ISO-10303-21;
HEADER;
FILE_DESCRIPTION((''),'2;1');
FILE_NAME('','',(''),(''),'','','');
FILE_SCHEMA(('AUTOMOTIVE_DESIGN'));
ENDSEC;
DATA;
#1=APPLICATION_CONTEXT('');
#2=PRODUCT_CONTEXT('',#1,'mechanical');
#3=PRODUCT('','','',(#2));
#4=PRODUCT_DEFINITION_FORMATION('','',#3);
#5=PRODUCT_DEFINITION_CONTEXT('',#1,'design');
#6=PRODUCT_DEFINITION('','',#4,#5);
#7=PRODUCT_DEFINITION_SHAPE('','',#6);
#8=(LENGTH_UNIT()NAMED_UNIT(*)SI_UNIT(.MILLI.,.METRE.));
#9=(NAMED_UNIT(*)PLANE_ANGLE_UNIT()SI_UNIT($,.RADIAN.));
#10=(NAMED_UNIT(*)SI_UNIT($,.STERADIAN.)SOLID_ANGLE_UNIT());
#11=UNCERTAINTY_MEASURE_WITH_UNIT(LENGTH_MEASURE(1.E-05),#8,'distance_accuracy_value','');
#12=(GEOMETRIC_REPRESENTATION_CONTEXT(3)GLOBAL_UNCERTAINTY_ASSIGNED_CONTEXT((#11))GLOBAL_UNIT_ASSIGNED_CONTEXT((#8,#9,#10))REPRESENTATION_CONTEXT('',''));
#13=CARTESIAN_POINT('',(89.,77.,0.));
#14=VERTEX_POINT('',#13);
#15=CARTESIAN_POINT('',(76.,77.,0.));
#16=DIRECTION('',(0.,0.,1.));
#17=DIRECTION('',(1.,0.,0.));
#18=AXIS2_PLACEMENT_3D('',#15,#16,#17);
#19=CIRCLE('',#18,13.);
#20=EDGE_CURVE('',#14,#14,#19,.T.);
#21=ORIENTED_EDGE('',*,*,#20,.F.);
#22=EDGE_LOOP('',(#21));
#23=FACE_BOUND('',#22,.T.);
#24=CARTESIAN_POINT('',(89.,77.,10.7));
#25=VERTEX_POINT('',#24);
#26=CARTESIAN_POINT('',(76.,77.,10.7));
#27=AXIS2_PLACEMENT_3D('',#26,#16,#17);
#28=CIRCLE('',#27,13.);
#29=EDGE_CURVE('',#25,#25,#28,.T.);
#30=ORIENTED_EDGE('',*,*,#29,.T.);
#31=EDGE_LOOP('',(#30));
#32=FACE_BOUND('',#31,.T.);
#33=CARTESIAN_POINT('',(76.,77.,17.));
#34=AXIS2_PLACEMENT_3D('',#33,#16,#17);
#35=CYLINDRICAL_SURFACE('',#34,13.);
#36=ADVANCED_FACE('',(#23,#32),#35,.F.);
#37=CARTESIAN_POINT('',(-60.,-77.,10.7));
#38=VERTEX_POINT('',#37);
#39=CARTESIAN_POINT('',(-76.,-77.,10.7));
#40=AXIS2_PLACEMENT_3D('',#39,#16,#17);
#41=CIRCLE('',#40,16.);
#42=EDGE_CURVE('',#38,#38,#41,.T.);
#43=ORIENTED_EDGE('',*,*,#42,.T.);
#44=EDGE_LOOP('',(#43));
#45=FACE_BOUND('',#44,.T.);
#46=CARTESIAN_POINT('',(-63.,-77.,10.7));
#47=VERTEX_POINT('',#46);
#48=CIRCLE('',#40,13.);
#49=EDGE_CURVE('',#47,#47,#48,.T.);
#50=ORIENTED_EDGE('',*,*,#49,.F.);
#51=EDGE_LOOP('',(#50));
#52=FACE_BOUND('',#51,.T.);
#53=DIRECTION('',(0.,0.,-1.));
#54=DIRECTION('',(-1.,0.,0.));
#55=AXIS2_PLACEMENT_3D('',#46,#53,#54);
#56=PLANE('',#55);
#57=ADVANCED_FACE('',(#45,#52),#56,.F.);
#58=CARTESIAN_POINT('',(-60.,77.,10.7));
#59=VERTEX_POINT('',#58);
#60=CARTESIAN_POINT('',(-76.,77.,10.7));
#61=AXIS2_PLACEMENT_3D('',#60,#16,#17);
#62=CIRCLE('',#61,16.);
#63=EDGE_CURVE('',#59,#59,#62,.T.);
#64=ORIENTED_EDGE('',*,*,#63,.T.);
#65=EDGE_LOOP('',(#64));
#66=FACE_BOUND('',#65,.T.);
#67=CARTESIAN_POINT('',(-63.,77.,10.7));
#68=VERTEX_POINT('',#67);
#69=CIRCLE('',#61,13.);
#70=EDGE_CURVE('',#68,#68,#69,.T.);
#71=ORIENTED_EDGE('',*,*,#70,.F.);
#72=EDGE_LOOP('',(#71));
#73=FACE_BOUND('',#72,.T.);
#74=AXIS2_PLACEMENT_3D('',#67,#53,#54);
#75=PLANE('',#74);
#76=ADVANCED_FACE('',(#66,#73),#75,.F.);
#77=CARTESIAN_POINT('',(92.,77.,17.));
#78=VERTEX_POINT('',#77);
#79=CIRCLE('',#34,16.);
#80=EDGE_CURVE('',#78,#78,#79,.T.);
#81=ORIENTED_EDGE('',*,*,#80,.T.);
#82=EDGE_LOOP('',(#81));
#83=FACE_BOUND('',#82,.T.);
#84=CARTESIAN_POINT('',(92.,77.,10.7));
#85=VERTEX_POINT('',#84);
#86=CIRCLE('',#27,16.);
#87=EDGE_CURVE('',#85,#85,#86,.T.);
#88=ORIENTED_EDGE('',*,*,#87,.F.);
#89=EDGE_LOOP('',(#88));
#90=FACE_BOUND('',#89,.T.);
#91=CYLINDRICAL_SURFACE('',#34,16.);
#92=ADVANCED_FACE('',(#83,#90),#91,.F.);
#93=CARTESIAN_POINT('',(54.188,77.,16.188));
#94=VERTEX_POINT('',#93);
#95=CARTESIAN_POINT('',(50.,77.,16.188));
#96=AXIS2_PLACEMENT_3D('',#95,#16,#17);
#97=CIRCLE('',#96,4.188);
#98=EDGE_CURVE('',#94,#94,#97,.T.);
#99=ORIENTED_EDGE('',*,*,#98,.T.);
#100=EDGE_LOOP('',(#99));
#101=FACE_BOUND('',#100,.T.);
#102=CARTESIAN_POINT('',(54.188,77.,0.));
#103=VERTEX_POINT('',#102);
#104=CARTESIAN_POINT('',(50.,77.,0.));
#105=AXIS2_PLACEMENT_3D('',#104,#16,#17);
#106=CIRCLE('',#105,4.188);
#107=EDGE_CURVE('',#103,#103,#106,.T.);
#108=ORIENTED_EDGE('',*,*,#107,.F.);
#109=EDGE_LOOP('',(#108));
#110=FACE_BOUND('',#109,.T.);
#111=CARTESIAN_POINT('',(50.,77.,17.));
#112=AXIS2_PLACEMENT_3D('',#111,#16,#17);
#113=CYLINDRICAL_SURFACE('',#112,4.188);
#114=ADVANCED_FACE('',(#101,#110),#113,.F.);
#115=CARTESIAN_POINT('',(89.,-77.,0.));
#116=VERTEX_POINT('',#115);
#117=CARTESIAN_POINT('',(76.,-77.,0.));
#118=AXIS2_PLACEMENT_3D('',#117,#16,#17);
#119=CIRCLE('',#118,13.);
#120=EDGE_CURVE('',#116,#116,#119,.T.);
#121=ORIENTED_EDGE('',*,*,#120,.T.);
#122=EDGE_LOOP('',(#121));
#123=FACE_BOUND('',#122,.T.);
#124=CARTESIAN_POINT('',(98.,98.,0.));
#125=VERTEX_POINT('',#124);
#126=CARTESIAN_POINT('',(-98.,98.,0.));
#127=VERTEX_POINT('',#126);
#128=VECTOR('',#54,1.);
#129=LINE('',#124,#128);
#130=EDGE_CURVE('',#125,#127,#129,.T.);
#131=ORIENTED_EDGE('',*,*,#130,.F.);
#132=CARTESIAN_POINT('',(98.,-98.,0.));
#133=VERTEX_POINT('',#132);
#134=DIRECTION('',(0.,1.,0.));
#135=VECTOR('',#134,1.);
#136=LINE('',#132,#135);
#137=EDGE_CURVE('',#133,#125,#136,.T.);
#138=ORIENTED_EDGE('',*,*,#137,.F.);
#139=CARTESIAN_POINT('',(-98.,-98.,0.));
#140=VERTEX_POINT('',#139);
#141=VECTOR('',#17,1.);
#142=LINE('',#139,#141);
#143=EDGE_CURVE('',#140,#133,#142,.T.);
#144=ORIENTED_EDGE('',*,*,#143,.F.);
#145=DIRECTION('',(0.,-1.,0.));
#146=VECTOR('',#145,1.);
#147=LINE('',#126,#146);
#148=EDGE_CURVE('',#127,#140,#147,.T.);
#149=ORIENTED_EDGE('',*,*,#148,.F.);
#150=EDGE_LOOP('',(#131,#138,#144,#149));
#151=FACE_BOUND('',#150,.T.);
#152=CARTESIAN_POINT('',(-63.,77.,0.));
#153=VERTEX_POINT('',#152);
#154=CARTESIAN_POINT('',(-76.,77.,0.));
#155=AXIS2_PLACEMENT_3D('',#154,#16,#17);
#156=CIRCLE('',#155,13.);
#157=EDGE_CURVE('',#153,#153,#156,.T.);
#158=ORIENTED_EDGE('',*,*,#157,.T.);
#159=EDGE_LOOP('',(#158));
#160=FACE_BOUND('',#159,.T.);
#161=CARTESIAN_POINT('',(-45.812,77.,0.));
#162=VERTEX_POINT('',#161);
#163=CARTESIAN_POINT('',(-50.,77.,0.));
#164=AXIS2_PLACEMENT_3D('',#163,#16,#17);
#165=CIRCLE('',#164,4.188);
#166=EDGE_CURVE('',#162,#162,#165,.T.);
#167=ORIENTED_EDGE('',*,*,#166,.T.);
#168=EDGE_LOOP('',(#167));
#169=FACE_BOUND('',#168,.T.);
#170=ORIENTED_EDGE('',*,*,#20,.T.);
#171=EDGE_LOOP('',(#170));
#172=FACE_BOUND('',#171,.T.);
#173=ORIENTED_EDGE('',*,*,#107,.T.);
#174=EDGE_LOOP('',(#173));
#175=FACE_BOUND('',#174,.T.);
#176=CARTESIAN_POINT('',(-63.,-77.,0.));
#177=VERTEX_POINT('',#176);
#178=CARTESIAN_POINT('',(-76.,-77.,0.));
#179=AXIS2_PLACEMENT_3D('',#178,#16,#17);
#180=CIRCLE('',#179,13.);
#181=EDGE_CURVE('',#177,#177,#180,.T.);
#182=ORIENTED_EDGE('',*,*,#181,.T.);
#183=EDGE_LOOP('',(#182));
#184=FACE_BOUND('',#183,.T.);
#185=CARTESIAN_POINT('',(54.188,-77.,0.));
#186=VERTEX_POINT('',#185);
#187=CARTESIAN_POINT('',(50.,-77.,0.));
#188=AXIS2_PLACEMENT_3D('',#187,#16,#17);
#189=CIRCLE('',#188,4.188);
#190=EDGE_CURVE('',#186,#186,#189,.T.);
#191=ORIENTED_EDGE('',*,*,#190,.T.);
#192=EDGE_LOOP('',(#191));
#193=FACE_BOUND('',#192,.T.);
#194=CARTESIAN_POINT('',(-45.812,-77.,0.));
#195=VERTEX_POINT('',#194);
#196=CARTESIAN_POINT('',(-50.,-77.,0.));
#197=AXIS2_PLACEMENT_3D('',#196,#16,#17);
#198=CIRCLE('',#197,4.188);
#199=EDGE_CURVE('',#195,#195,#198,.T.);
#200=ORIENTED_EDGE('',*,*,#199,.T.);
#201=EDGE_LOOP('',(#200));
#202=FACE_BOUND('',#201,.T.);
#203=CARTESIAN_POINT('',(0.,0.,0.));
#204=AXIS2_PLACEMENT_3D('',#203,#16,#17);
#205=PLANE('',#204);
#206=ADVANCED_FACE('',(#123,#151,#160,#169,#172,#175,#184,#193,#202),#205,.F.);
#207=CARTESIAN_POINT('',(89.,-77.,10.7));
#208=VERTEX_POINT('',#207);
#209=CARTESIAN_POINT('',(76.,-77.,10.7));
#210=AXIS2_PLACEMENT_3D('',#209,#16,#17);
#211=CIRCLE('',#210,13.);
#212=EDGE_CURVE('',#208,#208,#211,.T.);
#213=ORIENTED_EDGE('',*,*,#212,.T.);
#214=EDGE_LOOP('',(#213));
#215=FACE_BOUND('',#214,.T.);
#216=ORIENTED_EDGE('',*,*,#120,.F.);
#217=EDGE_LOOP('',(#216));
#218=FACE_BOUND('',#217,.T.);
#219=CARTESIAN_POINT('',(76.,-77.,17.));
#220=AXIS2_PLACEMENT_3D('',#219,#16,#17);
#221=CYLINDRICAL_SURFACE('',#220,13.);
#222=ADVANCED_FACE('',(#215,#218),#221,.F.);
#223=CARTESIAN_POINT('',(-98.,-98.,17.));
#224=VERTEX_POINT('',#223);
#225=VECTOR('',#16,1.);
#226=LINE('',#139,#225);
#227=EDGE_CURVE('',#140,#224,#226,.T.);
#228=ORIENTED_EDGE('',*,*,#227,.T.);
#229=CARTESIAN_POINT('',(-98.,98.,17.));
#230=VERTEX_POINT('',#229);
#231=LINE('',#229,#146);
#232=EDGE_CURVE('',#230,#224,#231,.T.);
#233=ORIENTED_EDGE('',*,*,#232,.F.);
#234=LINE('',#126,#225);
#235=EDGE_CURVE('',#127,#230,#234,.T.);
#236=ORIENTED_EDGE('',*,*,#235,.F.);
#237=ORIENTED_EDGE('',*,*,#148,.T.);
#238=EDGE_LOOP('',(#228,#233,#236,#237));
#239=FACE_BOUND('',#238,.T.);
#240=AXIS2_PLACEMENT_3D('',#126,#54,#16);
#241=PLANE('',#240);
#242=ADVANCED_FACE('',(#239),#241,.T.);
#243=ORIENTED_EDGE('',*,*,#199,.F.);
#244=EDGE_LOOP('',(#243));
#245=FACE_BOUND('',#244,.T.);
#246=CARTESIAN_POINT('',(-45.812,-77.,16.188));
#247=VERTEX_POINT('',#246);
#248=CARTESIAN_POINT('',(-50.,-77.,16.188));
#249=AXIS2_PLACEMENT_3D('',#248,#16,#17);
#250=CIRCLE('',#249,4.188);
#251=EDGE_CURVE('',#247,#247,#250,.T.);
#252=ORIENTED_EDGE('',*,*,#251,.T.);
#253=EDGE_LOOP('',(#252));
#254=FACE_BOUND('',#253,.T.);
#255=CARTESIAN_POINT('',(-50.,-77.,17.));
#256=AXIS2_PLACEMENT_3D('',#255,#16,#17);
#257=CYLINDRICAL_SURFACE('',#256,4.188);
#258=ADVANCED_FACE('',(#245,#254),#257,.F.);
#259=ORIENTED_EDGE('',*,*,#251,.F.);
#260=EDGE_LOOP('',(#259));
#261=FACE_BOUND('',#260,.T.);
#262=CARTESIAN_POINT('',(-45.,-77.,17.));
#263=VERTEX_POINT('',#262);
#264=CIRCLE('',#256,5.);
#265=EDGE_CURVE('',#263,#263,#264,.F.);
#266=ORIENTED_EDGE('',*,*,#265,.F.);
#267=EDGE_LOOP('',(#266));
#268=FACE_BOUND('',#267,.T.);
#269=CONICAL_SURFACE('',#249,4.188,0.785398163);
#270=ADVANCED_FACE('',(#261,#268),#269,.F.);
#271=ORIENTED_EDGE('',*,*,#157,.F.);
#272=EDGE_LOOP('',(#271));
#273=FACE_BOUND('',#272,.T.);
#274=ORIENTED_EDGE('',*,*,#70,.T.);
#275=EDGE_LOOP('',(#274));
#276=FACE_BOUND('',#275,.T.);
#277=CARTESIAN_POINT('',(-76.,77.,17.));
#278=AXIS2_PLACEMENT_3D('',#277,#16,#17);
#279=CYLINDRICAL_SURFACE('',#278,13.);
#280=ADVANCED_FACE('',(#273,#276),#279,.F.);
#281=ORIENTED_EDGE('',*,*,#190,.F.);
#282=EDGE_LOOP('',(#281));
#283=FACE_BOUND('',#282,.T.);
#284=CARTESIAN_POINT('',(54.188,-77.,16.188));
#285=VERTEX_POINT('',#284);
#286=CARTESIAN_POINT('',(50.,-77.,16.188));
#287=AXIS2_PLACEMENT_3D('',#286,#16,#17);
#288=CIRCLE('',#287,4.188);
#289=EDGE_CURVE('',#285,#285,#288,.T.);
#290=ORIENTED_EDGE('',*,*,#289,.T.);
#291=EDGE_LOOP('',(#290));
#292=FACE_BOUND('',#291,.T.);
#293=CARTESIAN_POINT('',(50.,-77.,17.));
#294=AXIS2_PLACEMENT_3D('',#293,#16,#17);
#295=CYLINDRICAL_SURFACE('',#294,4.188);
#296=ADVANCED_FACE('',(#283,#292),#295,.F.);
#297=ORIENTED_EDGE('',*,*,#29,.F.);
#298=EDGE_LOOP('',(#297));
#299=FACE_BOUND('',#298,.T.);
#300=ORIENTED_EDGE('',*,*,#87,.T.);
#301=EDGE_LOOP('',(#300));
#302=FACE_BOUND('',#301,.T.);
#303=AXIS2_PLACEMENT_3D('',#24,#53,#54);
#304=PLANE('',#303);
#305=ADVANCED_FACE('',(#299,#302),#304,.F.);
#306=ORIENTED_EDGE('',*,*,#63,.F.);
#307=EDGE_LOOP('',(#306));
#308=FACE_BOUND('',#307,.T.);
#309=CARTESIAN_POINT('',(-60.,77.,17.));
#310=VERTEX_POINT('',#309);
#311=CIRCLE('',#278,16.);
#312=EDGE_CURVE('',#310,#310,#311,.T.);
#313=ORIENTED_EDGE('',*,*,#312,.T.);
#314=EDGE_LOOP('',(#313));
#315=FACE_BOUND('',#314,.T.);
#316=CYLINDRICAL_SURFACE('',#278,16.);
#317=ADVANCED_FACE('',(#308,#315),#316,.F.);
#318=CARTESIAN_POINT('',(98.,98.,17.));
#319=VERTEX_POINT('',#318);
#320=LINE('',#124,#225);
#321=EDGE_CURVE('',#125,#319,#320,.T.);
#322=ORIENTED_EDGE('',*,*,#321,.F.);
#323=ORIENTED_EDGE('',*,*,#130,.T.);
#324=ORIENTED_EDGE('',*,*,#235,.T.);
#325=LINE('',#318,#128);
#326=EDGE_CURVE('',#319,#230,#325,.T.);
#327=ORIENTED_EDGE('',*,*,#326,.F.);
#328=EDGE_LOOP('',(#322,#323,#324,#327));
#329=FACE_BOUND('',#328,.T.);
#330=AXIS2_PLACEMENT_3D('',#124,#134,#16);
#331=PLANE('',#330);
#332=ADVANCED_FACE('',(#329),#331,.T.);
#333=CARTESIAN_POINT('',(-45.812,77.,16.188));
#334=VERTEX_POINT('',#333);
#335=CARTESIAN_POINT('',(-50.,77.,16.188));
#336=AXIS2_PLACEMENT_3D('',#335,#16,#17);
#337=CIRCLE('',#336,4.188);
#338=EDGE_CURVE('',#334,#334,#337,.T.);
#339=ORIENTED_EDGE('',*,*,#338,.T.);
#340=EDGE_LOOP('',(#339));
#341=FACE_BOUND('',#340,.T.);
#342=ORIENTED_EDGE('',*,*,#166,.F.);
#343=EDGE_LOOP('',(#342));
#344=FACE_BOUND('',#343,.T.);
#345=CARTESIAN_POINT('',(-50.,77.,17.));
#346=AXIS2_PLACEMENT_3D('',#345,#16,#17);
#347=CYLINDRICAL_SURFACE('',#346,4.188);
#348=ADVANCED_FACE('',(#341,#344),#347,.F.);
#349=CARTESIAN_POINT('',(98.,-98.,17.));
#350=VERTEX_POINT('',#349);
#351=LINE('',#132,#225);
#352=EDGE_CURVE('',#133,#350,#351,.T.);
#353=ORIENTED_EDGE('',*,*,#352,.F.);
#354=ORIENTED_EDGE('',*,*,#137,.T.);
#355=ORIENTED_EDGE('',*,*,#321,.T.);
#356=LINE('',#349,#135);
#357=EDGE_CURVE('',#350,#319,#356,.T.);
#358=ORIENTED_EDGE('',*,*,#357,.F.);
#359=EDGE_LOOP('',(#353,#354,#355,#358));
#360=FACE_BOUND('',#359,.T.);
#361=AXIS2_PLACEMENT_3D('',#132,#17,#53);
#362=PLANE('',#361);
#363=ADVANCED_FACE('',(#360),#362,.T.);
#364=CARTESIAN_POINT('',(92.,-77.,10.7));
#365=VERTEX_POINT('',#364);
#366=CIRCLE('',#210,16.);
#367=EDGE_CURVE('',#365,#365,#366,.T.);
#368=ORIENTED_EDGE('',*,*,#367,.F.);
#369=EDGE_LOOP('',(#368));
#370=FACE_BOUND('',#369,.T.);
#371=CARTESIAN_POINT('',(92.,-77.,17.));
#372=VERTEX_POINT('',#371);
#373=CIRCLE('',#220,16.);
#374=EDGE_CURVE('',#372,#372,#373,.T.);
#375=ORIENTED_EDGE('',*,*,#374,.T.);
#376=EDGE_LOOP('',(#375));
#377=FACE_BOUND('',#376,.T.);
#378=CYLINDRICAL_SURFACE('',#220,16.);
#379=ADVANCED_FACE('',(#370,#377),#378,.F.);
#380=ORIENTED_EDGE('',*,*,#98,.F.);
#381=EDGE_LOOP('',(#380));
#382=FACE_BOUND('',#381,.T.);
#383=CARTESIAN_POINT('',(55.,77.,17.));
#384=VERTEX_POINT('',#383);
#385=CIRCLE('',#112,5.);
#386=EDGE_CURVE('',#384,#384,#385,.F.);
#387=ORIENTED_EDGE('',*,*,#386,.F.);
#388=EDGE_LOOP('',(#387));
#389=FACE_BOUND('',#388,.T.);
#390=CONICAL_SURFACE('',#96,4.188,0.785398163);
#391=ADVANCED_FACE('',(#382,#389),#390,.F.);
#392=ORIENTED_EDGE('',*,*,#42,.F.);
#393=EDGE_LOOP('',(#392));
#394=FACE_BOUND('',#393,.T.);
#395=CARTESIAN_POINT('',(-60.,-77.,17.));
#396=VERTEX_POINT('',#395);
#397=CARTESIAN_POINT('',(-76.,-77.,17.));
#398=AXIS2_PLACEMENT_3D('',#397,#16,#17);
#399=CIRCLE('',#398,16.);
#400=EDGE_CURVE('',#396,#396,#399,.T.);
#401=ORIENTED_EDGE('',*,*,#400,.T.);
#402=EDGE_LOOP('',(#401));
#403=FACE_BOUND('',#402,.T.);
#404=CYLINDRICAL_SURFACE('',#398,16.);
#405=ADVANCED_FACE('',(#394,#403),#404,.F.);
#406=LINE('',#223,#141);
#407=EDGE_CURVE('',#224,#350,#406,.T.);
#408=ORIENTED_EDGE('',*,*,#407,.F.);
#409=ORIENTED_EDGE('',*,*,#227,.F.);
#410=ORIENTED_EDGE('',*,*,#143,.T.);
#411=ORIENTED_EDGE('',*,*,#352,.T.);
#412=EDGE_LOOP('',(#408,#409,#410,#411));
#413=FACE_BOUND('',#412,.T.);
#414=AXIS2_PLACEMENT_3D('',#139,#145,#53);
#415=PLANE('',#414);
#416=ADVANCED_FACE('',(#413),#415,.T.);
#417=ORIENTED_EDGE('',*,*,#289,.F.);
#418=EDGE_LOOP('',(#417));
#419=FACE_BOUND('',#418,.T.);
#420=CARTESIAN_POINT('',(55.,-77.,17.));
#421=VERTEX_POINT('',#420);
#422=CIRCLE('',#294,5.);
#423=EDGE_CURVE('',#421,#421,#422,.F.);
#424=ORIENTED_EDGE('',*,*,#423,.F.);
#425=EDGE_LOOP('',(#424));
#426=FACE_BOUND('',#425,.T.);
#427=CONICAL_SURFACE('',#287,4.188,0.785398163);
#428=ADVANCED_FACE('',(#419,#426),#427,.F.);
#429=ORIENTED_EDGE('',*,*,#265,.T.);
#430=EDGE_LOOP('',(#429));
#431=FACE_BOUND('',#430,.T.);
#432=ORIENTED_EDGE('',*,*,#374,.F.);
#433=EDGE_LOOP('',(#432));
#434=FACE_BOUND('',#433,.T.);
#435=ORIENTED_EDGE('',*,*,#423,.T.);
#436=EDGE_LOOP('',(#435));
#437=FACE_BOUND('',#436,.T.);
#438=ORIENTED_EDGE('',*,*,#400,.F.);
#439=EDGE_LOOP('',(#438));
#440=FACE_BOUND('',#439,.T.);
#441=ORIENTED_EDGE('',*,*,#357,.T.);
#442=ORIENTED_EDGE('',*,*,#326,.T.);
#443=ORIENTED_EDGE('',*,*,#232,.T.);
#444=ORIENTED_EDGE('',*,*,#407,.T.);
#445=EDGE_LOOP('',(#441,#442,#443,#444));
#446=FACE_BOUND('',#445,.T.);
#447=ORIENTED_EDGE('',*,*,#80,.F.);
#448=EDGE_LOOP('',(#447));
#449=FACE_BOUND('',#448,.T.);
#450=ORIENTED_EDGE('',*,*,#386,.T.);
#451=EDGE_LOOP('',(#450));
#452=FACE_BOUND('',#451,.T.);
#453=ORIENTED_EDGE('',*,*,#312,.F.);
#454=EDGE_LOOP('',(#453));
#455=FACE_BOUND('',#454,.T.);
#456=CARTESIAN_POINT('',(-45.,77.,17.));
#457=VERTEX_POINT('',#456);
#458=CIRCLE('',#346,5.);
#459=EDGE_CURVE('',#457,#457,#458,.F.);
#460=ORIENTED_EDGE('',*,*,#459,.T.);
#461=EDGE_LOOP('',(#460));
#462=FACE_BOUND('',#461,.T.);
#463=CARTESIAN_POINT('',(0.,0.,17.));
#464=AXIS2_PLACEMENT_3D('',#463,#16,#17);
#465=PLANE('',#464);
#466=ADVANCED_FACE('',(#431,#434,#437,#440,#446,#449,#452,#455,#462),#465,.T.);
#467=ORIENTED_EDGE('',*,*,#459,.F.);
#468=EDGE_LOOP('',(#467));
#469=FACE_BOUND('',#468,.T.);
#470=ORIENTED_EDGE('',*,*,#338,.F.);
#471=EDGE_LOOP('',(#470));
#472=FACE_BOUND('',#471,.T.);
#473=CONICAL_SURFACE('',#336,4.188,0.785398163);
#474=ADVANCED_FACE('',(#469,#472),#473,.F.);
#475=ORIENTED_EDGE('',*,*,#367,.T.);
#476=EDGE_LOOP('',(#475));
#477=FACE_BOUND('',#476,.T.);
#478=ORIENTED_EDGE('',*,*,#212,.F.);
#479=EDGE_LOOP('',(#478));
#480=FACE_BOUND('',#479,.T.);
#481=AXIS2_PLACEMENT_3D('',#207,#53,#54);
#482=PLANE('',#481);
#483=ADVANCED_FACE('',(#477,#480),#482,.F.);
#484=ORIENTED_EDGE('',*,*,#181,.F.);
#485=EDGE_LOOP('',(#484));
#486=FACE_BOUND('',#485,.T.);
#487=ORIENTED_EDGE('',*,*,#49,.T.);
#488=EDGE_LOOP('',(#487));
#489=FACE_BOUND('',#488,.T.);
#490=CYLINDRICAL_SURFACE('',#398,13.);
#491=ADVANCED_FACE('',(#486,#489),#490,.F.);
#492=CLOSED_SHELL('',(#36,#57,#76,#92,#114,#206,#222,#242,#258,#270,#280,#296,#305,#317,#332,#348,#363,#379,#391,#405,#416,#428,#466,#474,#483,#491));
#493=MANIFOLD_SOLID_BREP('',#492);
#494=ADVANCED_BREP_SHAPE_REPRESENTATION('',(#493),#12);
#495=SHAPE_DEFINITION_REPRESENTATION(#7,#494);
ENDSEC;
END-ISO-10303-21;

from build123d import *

# Parameters (mm, degrees)
SKETCH_1_W                   = 196
SKETCH_1_H                   = 196
EXTRUDE_1_DEPTH              = 17
HOLE_WIZARD_1_D              = 8.376
HOLE_WIZARD_M241_D           = 26
HOLE_WIZARD_M241_CBORE_D     = 32
HOLE_WIZARD_M241_CBORE_DEPTH = 6.3
CHAMFER_1_SIZE               = 0.812


with BuildPart() as part:
    # Эскиз1 → Бобышка-Вытянуть1 (new body)
    with BuildSketch(Plane.XY.offset(17)):
        Rectangle(SKETCH_1_W, SKETCH_1_H)
    extrude(amount=-EXTRUDE_1_DEPTH)

    # Отверстие1 (through all)
    with Locations(Plane.XY.offset(17)):
        with Locations((-50, 77), (-50, -77), (50, 77), (50, -77)):
            Hole(HOLE_WIZARD_1_D / 2)

    # Цековка для  болта с шестигранной головкой M241 (through all)
    with Locations(Plane.XY.offset(17)):
        with Locations((76, -77), (-76, -77), (76, 77), (-76, 77)):
            CounterBoreHole(HOLE_WIZARD_M241_D / 2, HOLE_WIZARD_M241_CBORE_D / 2, HOLE_WIZARD_M241_CBORE_DEPTH)

    # Фаска1
    chamfer_1_edges = [part.edges().sort_by_distance(p)[0] for p in [
        (54.188, -77, 17),
        (54.188, 77, 17),
        (-45.812, -77, 17),
        (-45.812, 77, 17),
    ]]
    chamfer(chamfer_1_edges, length=CHAMFER_1_SIZE)


solid = part.part
